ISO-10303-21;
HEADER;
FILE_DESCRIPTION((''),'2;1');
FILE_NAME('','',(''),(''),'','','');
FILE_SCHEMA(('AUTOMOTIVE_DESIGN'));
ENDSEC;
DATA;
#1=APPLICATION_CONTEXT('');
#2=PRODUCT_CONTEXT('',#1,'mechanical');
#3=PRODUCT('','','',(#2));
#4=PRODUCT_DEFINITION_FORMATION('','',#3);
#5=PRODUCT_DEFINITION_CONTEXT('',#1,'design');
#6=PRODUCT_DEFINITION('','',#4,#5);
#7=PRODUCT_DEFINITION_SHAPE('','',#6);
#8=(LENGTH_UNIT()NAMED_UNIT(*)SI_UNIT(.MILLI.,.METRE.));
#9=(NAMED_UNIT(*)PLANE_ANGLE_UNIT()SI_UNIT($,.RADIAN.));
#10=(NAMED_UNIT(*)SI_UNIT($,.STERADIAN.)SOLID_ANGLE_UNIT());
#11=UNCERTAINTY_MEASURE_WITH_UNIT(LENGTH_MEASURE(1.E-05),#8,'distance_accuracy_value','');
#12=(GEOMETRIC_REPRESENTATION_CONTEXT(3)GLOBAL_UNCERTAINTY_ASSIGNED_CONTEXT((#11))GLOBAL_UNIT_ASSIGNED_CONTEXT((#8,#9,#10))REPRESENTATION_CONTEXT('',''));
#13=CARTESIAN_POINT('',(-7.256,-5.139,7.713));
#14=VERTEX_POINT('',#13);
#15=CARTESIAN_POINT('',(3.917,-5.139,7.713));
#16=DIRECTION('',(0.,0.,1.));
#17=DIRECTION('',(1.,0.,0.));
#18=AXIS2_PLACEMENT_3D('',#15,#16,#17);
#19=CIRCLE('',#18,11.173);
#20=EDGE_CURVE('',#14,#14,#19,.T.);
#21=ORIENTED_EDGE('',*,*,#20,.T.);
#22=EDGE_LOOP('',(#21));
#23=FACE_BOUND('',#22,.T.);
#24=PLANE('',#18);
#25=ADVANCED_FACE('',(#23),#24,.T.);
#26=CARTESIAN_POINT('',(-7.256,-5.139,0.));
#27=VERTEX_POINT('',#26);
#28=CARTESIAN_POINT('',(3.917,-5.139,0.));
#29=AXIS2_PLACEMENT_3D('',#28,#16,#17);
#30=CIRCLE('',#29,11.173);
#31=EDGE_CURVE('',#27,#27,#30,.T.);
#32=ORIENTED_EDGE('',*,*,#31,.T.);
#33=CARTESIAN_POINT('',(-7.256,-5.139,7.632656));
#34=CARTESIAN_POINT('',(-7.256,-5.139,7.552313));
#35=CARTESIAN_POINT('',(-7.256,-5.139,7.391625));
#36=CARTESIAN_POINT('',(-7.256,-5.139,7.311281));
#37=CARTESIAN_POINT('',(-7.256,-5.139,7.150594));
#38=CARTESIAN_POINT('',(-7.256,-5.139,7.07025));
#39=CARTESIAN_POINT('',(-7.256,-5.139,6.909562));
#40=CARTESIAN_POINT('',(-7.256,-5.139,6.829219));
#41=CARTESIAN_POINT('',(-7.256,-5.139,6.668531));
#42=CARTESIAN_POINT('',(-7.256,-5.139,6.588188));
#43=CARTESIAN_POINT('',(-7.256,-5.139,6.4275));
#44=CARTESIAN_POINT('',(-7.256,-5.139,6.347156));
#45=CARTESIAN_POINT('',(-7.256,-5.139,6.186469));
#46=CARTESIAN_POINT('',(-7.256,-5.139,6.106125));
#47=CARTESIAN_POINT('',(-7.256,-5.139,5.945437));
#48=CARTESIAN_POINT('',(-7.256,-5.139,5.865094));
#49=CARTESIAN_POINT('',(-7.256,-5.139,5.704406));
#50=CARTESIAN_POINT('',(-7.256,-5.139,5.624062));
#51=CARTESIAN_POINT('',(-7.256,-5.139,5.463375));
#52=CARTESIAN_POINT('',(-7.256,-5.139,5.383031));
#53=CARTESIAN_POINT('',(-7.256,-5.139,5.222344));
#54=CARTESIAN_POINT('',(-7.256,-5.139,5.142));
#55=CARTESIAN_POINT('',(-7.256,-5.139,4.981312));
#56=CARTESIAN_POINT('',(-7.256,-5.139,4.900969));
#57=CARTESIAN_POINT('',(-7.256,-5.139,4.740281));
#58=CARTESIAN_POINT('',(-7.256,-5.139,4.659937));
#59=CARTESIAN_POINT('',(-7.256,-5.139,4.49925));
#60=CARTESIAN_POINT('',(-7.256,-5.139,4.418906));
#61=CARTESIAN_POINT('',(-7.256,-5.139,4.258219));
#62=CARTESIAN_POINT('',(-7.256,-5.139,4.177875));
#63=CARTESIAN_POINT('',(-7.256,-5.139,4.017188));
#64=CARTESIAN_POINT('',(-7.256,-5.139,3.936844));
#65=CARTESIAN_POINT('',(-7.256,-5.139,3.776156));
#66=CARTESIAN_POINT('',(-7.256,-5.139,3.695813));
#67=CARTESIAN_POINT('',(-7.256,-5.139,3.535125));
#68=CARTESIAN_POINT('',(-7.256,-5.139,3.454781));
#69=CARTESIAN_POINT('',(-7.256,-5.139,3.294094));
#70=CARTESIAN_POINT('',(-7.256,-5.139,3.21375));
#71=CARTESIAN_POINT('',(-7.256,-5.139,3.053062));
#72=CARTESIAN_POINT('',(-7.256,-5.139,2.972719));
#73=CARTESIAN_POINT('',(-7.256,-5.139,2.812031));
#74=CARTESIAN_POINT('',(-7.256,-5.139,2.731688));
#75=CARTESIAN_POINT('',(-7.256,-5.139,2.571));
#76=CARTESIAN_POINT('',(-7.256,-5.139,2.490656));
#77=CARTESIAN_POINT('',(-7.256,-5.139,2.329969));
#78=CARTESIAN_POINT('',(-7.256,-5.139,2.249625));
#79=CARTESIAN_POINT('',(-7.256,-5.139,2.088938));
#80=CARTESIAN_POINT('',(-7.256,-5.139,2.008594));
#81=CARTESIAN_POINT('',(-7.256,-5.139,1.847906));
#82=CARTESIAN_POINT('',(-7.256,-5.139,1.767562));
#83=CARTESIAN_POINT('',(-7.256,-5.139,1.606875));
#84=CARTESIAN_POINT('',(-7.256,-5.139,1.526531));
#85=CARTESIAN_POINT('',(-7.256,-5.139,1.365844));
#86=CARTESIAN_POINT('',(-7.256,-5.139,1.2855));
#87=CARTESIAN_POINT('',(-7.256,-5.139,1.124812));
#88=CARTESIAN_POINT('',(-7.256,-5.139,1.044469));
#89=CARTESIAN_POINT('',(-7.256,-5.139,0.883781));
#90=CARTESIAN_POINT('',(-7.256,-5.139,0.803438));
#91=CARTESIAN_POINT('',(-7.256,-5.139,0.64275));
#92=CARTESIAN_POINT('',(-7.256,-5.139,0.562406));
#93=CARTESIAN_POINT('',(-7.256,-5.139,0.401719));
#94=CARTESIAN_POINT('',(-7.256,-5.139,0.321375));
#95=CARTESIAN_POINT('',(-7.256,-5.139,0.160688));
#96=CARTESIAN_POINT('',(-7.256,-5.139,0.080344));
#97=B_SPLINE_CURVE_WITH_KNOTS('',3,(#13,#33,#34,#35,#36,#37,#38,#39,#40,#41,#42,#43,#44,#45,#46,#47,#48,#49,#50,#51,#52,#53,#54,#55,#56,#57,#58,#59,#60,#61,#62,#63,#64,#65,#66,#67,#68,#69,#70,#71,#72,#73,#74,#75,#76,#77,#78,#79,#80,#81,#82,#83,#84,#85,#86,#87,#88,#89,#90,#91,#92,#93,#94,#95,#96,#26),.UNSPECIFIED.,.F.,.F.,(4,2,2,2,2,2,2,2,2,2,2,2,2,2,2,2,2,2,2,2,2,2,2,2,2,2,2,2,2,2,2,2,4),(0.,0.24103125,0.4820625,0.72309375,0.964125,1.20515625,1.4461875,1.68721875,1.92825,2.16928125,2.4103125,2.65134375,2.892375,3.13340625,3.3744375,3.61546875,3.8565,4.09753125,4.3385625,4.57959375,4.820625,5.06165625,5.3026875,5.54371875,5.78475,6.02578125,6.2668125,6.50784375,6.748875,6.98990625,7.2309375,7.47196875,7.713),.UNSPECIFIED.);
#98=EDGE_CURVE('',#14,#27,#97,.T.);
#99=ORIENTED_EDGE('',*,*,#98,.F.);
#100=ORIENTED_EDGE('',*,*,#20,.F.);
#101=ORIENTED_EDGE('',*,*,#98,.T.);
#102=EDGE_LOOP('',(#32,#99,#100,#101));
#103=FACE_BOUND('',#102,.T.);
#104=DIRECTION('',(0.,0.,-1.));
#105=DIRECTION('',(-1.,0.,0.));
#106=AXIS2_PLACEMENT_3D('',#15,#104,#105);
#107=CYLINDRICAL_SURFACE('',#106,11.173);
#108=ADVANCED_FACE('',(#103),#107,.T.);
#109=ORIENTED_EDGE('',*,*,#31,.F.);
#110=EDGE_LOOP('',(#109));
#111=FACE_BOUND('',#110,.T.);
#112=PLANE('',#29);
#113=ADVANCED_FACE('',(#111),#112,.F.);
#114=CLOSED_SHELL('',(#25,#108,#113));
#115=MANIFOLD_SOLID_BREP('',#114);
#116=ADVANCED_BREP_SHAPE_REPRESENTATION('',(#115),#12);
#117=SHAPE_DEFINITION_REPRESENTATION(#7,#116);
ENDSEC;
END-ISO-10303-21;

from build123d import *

# Parameters (mm, degrees)
CURVESKETCH_R   = 11.173
CURVEBOSS_DEPTH = 7.713


with BuildPart() as part:
    # CurveSketch → CurveBoss (new body)
    with BuildSketch(Plane.XY):
        with Locations(Location((3.917, -5.139, 0), (0, 0, 180))):
            Circle(CURVESKETCH_R)
    extrude(amount=CURVEBOSS_DEPTH)


solid = part.part
